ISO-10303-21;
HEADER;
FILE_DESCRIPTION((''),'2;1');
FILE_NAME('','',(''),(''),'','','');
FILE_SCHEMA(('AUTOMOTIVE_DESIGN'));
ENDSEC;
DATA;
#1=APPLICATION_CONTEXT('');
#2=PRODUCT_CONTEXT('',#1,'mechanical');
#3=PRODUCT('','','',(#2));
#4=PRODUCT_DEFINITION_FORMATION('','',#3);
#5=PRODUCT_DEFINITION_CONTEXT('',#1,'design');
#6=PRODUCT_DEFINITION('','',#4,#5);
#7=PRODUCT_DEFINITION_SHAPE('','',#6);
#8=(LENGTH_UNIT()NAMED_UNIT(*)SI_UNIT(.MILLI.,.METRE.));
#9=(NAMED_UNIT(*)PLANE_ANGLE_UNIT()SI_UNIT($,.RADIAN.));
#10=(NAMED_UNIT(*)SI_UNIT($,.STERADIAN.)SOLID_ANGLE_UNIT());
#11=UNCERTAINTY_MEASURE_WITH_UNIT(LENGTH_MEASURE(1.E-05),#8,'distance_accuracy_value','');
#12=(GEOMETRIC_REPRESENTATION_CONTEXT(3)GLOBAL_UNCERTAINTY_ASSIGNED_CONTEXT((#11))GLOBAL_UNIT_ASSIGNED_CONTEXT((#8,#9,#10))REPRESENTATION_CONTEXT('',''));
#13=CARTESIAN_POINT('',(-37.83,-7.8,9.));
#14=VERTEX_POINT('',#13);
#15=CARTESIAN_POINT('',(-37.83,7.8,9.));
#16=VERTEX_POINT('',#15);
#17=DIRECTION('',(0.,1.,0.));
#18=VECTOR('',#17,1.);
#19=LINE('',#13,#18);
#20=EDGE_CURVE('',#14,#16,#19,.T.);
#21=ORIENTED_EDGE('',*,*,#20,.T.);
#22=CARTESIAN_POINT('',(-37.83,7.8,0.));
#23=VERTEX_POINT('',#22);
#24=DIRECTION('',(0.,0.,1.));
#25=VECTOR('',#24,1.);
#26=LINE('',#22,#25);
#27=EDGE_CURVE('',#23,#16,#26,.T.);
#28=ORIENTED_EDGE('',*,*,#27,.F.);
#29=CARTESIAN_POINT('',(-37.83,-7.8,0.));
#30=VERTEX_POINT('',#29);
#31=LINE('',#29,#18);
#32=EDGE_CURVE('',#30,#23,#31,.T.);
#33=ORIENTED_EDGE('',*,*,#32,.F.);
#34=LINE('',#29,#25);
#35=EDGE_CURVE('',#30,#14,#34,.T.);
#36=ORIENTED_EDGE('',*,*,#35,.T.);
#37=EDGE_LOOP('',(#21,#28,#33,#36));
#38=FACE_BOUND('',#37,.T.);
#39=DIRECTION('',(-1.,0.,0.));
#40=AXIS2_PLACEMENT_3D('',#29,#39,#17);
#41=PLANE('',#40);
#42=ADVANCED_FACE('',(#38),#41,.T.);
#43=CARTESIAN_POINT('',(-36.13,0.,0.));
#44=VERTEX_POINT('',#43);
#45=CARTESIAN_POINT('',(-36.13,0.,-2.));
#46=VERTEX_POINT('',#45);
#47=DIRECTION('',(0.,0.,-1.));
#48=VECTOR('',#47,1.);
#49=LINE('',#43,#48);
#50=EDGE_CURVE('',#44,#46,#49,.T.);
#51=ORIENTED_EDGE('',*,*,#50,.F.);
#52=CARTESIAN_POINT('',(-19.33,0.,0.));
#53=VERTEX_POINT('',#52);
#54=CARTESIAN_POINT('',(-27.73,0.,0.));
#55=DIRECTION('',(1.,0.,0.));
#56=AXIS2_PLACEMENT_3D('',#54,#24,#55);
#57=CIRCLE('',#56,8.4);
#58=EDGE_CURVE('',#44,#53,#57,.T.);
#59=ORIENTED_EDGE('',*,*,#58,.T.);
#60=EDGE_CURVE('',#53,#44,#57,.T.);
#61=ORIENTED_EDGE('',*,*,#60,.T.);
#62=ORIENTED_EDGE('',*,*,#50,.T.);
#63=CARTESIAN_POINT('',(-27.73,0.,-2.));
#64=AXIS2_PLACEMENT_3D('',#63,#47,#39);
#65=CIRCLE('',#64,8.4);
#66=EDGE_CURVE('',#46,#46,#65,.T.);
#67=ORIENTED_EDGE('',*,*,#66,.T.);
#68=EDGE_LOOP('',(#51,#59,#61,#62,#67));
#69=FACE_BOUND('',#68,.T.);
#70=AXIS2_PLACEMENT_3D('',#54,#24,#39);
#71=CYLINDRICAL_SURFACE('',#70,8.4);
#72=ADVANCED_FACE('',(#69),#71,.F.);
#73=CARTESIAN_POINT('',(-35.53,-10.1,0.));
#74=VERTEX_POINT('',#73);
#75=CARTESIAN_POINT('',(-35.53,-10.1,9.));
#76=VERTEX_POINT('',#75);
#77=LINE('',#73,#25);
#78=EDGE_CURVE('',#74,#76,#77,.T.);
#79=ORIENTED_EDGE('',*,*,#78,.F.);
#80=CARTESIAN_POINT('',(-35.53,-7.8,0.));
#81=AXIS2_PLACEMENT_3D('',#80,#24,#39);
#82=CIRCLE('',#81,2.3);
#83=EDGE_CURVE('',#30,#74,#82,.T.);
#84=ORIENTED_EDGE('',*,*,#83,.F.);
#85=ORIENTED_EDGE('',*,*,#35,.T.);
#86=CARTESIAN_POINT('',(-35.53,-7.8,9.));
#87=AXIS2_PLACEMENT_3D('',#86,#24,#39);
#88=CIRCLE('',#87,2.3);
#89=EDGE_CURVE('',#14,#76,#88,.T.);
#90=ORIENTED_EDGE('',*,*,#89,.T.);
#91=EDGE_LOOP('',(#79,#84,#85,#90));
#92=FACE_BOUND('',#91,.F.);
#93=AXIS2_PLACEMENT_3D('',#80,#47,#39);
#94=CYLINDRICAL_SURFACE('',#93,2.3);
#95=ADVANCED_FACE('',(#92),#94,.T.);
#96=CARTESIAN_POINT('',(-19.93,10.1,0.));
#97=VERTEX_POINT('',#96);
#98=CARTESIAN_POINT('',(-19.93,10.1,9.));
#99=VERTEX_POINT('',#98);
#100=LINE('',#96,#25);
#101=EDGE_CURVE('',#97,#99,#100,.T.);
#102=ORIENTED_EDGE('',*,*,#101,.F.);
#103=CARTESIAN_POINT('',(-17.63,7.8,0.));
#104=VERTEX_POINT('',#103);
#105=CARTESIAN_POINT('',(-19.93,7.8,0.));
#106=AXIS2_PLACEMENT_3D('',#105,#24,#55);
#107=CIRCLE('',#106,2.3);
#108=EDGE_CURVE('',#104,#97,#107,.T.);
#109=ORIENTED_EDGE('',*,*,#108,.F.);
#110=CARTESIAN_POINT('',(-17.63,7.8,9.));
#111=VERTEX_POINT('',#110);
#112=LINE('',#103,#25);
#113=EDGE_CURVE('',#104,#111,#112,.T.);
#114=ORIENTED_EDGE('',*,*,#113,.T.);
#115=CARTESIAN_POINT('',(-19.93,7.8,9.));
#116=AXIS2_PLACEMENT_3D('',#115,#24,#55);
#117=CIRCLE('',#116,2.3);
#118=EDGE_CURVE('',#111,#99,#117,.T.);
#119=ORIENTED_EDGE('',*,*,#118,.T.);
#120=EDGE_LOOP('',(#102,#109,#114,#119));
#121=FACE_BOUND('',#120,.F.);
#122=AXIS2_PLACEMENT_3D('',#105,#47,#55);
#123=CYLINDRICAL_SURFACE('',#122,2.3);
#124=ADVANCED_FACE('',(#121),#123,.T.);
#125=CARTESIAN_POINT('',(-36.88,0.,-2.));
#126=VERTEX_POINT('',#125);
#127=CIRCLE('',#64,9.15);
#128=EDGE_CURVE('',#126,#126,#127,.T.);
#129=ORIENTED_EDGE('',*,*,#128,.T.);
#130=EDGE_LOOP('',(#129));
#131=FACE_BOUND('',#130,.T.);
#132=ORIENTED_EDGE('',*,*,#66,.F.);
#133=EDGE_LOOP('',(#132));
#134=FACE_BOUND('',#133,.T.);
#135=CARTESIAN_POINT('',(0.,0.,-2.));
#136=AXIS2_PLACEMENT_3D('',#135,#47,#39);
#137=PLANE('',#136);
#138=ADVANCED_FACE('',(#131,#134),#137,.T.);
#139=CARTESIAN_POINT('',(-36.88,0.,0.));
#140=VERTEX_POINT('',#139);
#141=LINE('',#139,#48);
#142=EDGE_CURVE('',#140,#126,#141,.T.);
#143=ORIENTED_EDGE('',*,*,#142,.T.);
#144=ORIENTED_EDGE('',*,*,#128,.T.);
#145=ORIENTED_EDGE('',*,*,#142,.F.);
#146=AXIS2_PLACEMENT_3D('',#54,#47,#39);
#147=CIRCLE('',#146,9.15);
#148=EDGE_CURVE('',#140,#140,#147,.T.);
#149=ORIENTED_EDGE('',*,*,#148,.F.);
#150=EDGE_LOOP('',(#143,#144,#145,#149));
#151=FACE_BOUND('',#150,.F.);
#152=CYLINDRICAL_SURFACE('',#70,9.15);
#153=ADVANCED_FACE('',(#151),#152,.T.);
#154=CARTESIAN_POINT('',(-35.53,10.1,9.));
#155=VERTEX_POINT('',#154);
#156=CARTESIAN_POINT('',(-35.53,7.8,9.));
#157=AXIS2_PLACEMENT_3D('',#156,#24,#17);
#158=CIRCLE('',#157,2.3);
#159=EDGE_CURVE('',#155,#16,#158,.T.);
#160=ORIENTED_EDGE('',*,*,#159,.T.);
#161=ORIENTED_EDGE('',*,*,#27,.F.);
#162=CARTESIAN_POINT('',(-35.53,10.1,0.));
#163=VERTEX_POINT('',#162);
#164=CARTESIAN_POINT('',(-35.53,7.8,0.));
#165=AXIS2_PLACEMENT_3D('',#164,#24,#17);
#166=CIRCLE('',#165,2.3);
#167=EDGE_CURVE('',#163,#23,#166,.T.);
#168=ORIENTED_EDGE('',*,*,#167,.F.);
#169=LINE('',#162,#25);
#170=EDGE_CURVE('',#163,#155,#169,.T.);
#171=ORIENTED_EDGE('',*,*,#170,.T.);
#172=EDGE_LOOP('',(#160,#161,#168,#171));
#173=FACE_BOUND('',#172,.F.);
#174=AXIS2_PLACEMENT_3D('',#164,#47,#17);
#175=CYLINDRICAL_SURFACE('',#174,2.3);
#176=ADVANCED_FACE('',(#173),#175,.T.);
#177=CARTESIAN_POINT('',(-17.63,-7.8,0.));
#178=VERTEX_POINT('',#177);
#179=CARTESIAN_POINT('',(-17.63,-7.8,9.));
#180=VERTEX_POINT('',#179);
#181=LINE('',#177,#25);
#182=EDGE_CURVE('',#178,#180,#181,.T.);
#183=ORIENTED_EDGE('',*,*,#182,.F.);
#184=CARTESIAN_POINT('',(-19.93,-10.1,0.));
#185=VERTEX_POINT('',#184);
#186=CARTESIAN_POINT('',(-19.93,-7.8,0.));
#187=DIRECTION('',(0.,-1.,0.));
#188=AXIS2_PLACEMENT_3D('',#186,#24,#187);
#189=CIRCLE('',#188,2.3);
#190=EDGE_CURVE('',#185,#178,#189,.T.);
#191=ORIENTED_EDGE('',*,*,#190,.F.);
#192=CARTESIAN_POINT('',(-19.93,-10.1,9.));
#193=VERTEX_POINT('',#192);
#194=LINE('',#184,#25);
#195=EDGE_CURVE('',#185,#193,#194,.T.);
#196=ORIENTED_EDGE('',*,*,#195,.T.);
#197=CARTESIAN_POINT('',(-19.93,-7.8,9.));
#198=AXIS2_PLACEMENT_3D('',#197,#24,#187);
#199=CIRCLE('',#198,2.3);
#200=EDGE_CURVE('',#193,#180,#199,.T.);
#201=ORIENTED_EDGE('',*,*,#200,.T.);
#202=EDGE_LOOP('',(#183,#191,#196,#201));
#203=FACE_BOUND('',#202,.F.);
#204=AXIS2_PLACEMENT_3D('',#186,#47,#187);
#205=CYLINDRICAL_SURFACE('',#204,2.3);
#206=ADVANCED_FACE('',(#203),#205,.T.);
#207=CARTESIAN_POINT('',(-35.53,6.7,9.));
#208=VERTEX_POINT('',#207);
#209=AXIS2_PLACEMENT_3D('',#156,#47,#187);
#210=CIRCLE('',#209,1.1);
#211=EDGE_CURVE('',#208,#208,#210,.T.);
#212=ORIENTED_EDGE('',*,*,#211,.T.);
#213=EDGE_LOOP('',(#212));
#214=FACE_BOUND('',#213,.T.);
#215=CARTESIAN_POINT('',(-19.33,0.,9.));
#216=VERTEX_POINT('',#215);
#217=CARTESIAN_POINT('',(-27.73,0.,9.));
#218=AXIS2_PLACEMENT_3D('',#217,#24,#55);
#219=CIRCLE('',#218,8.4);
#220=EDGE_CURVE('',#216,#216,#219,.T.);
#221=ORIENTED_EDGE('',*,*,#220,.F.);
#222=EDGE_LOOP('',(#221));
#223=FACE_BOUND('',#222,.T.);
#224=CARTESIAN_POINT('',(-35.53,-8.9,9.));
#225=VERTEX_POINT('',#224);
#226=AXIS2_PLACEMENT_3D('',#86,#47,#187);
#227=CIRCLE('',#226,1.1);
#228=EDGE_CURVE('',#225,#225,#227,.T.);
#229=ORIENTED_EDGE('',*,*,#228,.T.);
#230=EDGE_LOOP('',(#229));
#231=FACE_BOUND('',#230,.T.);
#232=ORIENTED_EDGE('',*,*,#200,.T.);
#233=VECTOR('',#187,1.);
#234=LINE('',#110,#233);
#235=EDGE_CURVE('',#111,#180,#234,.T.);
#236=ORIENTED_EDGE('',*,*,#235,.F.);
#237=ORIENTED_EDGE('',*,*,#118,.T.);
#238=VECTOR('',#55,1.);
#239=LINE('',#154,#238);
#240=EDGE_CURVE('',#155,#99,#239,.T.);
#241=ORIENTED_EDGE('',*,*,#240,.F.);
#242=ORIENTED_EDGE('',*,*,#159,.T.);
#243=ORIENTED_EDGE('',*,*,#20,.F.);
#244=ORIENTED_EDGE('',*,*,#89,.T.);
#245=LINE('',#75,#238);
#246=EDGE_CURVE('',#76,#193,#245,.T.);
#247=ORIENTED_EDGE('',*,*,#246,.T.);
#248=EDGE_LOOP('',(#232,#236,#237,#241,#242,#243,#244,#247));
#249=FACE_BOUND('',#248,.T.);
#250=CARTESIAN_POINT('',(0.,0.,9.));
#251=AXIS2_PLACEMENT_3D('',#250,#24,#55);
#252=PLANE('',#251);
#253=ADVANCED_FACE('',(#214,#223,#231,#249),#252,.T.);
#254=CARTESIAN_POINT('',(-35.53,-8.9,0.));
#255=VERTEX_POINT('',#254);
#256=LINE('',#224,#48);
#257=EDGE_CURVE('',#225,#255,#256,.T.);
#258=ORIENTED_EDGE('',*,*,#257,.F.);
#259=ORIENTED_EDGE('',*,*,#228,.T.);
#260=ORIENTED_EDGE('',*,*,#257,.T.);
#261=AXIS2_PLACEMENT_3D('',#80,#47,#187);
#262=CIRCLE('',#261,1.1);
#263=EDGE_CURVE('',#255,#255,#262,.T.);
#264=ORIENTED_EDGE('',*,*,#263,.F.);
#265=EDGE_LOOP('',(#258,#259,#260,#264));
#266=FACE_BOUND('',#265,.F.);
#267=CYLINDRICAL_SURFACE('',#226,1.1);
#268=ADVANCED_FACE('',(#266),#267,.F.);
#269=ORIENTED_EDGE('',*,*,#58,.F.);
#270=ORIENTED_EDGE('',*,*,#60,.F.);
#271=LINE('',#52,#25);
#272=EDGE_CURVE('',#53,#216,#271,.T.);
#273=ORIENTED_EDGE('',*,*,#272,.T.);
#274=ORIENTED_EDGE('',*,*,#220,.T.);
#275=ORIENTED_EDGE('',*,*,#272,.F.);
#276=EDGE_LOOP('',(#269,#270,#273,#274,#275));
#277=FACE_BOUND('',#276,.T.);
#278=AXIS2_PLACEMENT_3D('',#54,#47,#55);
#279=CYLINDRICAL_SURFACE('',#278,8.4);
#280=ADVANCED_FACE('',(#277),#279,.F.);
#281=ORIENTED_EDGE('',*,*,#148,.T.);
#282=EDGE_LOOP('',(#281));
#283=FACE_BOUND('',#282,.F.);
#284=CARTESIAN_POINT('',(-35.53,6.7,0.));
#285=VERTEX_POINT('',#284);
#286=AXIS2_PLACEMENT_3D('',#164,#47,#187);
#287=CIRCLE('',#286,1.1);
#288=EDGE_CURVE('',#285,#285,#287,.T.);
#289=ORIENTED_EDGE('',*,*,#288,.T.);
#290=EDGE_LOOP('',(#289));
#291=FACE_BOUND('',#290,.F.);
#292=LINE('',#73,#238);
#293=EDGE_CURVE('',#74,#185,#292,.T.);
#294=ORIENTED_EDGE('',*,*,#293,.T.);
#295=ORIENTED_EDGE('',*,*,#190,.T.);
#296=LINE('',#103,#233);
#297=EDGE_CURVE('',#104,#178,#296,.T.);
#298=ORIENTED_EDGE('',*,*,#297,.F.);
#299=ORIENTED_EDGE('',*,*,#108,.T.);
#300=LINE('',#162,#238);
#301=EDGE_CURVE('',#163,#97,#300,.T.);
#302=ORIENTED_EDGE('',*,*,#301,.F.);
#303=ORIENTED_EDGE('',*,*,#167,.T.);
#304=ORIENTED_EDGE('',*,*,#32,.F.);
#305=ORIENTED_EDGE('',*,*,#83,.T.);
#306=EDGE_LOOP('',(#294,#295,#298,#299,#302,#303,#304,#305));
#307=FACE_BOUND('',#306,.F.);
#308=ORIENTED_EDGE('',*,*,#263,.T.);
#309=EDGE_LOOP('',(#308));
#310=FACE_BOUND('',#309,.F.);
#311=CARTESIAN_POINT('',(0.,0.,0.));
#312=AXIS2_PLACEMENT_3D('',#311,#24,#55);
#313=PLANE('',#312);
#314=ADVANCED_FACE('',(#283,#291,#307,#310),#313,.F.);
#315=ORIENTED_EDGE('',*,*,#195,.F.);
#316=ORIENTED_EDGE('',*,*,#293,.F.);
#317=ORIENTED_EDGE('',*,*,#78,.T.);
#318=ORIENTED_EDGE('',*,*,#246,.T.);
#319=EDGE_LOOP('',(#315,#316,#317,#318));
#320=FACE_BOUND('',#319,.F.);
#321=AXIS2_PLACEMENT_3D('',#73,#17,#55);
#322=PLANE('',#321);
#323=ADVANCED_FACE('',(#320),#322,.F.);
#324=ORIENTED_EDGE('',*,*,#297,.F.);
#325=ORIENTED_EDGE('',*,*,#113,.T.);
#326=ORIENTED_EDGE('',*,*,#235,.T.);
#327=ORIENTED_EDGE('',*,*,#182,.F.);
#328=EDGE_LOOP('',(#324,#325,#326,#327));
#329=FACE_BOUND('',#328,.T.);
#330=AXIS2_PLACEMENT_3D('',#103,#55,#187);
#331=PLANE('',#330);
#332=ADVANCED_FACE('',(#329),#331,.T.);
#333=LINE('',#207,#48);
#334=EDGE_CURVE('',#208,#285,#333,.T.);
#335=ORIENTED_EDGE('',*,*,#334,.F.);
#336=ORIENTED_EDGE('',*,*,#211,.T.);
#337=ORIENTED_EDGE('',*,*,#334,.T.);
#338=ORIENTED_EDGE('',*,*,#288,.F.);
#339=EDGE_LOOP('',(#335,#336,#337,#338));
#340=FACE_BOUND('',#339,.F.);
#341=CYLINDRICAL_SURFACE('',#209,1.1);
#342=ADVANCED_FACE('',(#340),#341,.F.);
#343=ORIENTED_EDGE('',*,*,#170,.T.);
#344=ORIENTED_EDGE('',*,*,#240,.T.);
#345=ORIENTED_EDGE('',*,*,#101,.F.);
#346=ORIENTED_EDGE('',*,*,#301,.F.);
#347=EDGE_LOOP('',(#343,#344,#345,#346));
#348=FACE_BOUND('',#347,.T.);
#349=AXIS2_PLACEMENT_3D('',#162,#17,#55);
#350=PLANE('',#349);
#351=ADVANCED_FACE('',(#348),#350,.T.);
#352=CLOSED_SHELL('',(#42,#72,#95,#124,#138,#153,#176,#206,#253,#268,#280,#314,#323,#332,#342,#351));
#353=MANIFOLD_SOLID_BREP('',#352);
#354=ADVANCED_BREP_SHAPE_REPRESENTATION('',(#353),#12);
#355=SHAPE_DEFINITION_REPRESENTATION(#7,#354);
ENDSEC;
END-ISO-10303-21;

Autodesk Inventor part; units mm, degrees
ref_plane "YZ Plane" through (0, 0, 0) normal (1, 0, 0) x (0, 1, 0)
ref_plane "XZ Plane" through (0, 0, 0) normal (0, 1, 0) x (-1, 0, 0)
ref_plane "XY Plane" through (0, 0, 0) normal (0, 0, 1) x (1, 0, 0)
ref_plane "Work Plane1" through (0, 0, 0) normal (0, 0, 1) x (1, 0, 0)
sketch "Sketch1" plane through (0, 0, 0) normal (0, 0, 1) x (1, 0, 0)
  line L0 (3.99, 16.87) -> (-0.09, 16.87) projected
  line L1 (-3.99, 20.77) -> (-0.09, 16.87) projected
  line L2 (-3.99, 24.85) -> (-3.99, 20.77) projected
  line L3 (-37.73, 24.85) -> (-3.99, 24.85) projected
  line L4 (-37.73, 16.87) -> (-37.73, 24.85) projected
  line L5 (-45.71, 16.87) -> (-37.73, 16.87) projected
  line L6 (-45.71, -16.87) -> (-45.71, -13.8689) projected
  line L7 (-41.63, -16.87) -> (-45.71, -16.87) projected
  line L8 (-37.73, -20.77) -> (-41.63, -16.87) projected
  line L9 (-37.73, -20.77) -> (-37.73, -24.85) projected
  line L10 (-37.73, -24.85) -> (-3.99, -24.85) projected
  line L11 (-3.99, -24.85) -> (-3.99, -20.77) projected
  line L12 (-0.09, -16.87) -> (-3.99, -20.77) projected
  line L13 (-0.09, -16.87) -> (3.99, -16.87) projected
  line L14 (3.99, -16.87) -> (3.99, 16.87) projected
  arc A0 (-35.53, 10.1) -> (-37.83, 7.8) centre (-35.53, 7.8) ccw projected
  line L15 (-37.83, -16.97) -> (-37.83, 16.97) construction
  arc A1 (-37.83, -7.8) -> (-35.53, -10.1) centre (-35.53, -7.8) ccw projected
  arc A2 (-19.93, -10.1) -> (-17.63, -7.8) centre (-19.93, -7.8) ccw projected
  arc A3 (-17.63, 7.8) -> (-19.93, 10.1) centre (-19.93, 7.8) ccw projected
  line L16 (-37.83, -7.8) -> (-37.83, 7.8)
  line L17 (-35.53, 10.1) -> (-19.93, 10.1)
  line L18 (-17.63, 7.8) -> (-17.63, -7.8)
  line L19 (-35.53, -10.1) -> (-19.93, -10.1)
  circle A4 centre (-27.73, 0) radius 8.4
  line L20 (-45.71, 13.8689) -> (-40.3869, 13.8689) projected
  line L21 (-40.3869, 13.8689) -> (-34.7289, 19.5269) projected
  line L22 (-34.7289, 19.5269) -> (-8.86, 19.5269) projected
  line L23 (-8.86, 19.5269) -> (-8.86, -19.5269) projected
  line L24 (-8.86, -19.5269) -> (-34.7289, -19.5269) projected
  line L25 (-34.7289, -19.5269) -> (-40.3869, -13.8689) projected
  line L26 (-40.3869, -13.8689) -> (-45.71, -13.8689) projected
  line L27 (-45.71, 13.8689) -> (-45.71, 16.87) projected
  point P0 (0, 0)
  point P1 (-17.63, -7.8)
extrude "Extrusion1" add sketch "Sketch1" along normal blind 9 contours L17 A3 L18 A2 L19 A1 L16 A0
sketch "Sketch2" plane through (0, 0, 9) normal (0, 0, 1) x (1, 0, 0)
  circle A0 centre (-20.86, 0) radius 16.97 construction
  line L0 (-19.93, 10.1) -> (-35.53, 10.1) projected
  arc A1 (-35.53, 10.1) -> (-37.83, 7.8) centre (-35.53, 7.8) ccw projected
  line L1 (-37.83, 7.8) -> (-37.83, -7.8) projected
  arc A2 (-37.83, -7.8) -> (-35.53, -10.1) centre (-35.53, -7.8) ccw projected
  line L2 (-35.53, -10.1) -> (-19.93, -10.1) projected
  arc A3 (-19.93, -10.1) -> (-17.63, -7.8) centre (-19.93, -7.8) ccw projected
  line L3 (-17.63, -7.8) -> (-17.63, 7.8) projected
  arc A4 (-17.63, 7.8) -> (-19.93, 10.1) centre (-19.93, 7.8) ccw projected
  point P0 (0, 0)
hole "Hole1" at (-35.53, -7.8, 9) at (-35.53, 7.8, 9) direction (0, 0, -1) diameter 2.2 depth 15 tip angle 118
sketch "Sketch3" plane through (0, 0, 0) normal (0, 0, -1) x (-1, 0, 0)
  circle A0 centre (27.73, 0) radius 8.4 projected
  circle A1 centre (27.73, 0) radius 9.25 projected
  circle A2 centre (27.73, 0) radius 9.15
  point P0 (0, 0)
  dimension "d10" = 0.1
extrude "Extrusion2" add sketch "Sketch3" along normal blind 2 contours A2
properties part number "30_Cube_SQUID_Z_Focus_spacer_v3"
